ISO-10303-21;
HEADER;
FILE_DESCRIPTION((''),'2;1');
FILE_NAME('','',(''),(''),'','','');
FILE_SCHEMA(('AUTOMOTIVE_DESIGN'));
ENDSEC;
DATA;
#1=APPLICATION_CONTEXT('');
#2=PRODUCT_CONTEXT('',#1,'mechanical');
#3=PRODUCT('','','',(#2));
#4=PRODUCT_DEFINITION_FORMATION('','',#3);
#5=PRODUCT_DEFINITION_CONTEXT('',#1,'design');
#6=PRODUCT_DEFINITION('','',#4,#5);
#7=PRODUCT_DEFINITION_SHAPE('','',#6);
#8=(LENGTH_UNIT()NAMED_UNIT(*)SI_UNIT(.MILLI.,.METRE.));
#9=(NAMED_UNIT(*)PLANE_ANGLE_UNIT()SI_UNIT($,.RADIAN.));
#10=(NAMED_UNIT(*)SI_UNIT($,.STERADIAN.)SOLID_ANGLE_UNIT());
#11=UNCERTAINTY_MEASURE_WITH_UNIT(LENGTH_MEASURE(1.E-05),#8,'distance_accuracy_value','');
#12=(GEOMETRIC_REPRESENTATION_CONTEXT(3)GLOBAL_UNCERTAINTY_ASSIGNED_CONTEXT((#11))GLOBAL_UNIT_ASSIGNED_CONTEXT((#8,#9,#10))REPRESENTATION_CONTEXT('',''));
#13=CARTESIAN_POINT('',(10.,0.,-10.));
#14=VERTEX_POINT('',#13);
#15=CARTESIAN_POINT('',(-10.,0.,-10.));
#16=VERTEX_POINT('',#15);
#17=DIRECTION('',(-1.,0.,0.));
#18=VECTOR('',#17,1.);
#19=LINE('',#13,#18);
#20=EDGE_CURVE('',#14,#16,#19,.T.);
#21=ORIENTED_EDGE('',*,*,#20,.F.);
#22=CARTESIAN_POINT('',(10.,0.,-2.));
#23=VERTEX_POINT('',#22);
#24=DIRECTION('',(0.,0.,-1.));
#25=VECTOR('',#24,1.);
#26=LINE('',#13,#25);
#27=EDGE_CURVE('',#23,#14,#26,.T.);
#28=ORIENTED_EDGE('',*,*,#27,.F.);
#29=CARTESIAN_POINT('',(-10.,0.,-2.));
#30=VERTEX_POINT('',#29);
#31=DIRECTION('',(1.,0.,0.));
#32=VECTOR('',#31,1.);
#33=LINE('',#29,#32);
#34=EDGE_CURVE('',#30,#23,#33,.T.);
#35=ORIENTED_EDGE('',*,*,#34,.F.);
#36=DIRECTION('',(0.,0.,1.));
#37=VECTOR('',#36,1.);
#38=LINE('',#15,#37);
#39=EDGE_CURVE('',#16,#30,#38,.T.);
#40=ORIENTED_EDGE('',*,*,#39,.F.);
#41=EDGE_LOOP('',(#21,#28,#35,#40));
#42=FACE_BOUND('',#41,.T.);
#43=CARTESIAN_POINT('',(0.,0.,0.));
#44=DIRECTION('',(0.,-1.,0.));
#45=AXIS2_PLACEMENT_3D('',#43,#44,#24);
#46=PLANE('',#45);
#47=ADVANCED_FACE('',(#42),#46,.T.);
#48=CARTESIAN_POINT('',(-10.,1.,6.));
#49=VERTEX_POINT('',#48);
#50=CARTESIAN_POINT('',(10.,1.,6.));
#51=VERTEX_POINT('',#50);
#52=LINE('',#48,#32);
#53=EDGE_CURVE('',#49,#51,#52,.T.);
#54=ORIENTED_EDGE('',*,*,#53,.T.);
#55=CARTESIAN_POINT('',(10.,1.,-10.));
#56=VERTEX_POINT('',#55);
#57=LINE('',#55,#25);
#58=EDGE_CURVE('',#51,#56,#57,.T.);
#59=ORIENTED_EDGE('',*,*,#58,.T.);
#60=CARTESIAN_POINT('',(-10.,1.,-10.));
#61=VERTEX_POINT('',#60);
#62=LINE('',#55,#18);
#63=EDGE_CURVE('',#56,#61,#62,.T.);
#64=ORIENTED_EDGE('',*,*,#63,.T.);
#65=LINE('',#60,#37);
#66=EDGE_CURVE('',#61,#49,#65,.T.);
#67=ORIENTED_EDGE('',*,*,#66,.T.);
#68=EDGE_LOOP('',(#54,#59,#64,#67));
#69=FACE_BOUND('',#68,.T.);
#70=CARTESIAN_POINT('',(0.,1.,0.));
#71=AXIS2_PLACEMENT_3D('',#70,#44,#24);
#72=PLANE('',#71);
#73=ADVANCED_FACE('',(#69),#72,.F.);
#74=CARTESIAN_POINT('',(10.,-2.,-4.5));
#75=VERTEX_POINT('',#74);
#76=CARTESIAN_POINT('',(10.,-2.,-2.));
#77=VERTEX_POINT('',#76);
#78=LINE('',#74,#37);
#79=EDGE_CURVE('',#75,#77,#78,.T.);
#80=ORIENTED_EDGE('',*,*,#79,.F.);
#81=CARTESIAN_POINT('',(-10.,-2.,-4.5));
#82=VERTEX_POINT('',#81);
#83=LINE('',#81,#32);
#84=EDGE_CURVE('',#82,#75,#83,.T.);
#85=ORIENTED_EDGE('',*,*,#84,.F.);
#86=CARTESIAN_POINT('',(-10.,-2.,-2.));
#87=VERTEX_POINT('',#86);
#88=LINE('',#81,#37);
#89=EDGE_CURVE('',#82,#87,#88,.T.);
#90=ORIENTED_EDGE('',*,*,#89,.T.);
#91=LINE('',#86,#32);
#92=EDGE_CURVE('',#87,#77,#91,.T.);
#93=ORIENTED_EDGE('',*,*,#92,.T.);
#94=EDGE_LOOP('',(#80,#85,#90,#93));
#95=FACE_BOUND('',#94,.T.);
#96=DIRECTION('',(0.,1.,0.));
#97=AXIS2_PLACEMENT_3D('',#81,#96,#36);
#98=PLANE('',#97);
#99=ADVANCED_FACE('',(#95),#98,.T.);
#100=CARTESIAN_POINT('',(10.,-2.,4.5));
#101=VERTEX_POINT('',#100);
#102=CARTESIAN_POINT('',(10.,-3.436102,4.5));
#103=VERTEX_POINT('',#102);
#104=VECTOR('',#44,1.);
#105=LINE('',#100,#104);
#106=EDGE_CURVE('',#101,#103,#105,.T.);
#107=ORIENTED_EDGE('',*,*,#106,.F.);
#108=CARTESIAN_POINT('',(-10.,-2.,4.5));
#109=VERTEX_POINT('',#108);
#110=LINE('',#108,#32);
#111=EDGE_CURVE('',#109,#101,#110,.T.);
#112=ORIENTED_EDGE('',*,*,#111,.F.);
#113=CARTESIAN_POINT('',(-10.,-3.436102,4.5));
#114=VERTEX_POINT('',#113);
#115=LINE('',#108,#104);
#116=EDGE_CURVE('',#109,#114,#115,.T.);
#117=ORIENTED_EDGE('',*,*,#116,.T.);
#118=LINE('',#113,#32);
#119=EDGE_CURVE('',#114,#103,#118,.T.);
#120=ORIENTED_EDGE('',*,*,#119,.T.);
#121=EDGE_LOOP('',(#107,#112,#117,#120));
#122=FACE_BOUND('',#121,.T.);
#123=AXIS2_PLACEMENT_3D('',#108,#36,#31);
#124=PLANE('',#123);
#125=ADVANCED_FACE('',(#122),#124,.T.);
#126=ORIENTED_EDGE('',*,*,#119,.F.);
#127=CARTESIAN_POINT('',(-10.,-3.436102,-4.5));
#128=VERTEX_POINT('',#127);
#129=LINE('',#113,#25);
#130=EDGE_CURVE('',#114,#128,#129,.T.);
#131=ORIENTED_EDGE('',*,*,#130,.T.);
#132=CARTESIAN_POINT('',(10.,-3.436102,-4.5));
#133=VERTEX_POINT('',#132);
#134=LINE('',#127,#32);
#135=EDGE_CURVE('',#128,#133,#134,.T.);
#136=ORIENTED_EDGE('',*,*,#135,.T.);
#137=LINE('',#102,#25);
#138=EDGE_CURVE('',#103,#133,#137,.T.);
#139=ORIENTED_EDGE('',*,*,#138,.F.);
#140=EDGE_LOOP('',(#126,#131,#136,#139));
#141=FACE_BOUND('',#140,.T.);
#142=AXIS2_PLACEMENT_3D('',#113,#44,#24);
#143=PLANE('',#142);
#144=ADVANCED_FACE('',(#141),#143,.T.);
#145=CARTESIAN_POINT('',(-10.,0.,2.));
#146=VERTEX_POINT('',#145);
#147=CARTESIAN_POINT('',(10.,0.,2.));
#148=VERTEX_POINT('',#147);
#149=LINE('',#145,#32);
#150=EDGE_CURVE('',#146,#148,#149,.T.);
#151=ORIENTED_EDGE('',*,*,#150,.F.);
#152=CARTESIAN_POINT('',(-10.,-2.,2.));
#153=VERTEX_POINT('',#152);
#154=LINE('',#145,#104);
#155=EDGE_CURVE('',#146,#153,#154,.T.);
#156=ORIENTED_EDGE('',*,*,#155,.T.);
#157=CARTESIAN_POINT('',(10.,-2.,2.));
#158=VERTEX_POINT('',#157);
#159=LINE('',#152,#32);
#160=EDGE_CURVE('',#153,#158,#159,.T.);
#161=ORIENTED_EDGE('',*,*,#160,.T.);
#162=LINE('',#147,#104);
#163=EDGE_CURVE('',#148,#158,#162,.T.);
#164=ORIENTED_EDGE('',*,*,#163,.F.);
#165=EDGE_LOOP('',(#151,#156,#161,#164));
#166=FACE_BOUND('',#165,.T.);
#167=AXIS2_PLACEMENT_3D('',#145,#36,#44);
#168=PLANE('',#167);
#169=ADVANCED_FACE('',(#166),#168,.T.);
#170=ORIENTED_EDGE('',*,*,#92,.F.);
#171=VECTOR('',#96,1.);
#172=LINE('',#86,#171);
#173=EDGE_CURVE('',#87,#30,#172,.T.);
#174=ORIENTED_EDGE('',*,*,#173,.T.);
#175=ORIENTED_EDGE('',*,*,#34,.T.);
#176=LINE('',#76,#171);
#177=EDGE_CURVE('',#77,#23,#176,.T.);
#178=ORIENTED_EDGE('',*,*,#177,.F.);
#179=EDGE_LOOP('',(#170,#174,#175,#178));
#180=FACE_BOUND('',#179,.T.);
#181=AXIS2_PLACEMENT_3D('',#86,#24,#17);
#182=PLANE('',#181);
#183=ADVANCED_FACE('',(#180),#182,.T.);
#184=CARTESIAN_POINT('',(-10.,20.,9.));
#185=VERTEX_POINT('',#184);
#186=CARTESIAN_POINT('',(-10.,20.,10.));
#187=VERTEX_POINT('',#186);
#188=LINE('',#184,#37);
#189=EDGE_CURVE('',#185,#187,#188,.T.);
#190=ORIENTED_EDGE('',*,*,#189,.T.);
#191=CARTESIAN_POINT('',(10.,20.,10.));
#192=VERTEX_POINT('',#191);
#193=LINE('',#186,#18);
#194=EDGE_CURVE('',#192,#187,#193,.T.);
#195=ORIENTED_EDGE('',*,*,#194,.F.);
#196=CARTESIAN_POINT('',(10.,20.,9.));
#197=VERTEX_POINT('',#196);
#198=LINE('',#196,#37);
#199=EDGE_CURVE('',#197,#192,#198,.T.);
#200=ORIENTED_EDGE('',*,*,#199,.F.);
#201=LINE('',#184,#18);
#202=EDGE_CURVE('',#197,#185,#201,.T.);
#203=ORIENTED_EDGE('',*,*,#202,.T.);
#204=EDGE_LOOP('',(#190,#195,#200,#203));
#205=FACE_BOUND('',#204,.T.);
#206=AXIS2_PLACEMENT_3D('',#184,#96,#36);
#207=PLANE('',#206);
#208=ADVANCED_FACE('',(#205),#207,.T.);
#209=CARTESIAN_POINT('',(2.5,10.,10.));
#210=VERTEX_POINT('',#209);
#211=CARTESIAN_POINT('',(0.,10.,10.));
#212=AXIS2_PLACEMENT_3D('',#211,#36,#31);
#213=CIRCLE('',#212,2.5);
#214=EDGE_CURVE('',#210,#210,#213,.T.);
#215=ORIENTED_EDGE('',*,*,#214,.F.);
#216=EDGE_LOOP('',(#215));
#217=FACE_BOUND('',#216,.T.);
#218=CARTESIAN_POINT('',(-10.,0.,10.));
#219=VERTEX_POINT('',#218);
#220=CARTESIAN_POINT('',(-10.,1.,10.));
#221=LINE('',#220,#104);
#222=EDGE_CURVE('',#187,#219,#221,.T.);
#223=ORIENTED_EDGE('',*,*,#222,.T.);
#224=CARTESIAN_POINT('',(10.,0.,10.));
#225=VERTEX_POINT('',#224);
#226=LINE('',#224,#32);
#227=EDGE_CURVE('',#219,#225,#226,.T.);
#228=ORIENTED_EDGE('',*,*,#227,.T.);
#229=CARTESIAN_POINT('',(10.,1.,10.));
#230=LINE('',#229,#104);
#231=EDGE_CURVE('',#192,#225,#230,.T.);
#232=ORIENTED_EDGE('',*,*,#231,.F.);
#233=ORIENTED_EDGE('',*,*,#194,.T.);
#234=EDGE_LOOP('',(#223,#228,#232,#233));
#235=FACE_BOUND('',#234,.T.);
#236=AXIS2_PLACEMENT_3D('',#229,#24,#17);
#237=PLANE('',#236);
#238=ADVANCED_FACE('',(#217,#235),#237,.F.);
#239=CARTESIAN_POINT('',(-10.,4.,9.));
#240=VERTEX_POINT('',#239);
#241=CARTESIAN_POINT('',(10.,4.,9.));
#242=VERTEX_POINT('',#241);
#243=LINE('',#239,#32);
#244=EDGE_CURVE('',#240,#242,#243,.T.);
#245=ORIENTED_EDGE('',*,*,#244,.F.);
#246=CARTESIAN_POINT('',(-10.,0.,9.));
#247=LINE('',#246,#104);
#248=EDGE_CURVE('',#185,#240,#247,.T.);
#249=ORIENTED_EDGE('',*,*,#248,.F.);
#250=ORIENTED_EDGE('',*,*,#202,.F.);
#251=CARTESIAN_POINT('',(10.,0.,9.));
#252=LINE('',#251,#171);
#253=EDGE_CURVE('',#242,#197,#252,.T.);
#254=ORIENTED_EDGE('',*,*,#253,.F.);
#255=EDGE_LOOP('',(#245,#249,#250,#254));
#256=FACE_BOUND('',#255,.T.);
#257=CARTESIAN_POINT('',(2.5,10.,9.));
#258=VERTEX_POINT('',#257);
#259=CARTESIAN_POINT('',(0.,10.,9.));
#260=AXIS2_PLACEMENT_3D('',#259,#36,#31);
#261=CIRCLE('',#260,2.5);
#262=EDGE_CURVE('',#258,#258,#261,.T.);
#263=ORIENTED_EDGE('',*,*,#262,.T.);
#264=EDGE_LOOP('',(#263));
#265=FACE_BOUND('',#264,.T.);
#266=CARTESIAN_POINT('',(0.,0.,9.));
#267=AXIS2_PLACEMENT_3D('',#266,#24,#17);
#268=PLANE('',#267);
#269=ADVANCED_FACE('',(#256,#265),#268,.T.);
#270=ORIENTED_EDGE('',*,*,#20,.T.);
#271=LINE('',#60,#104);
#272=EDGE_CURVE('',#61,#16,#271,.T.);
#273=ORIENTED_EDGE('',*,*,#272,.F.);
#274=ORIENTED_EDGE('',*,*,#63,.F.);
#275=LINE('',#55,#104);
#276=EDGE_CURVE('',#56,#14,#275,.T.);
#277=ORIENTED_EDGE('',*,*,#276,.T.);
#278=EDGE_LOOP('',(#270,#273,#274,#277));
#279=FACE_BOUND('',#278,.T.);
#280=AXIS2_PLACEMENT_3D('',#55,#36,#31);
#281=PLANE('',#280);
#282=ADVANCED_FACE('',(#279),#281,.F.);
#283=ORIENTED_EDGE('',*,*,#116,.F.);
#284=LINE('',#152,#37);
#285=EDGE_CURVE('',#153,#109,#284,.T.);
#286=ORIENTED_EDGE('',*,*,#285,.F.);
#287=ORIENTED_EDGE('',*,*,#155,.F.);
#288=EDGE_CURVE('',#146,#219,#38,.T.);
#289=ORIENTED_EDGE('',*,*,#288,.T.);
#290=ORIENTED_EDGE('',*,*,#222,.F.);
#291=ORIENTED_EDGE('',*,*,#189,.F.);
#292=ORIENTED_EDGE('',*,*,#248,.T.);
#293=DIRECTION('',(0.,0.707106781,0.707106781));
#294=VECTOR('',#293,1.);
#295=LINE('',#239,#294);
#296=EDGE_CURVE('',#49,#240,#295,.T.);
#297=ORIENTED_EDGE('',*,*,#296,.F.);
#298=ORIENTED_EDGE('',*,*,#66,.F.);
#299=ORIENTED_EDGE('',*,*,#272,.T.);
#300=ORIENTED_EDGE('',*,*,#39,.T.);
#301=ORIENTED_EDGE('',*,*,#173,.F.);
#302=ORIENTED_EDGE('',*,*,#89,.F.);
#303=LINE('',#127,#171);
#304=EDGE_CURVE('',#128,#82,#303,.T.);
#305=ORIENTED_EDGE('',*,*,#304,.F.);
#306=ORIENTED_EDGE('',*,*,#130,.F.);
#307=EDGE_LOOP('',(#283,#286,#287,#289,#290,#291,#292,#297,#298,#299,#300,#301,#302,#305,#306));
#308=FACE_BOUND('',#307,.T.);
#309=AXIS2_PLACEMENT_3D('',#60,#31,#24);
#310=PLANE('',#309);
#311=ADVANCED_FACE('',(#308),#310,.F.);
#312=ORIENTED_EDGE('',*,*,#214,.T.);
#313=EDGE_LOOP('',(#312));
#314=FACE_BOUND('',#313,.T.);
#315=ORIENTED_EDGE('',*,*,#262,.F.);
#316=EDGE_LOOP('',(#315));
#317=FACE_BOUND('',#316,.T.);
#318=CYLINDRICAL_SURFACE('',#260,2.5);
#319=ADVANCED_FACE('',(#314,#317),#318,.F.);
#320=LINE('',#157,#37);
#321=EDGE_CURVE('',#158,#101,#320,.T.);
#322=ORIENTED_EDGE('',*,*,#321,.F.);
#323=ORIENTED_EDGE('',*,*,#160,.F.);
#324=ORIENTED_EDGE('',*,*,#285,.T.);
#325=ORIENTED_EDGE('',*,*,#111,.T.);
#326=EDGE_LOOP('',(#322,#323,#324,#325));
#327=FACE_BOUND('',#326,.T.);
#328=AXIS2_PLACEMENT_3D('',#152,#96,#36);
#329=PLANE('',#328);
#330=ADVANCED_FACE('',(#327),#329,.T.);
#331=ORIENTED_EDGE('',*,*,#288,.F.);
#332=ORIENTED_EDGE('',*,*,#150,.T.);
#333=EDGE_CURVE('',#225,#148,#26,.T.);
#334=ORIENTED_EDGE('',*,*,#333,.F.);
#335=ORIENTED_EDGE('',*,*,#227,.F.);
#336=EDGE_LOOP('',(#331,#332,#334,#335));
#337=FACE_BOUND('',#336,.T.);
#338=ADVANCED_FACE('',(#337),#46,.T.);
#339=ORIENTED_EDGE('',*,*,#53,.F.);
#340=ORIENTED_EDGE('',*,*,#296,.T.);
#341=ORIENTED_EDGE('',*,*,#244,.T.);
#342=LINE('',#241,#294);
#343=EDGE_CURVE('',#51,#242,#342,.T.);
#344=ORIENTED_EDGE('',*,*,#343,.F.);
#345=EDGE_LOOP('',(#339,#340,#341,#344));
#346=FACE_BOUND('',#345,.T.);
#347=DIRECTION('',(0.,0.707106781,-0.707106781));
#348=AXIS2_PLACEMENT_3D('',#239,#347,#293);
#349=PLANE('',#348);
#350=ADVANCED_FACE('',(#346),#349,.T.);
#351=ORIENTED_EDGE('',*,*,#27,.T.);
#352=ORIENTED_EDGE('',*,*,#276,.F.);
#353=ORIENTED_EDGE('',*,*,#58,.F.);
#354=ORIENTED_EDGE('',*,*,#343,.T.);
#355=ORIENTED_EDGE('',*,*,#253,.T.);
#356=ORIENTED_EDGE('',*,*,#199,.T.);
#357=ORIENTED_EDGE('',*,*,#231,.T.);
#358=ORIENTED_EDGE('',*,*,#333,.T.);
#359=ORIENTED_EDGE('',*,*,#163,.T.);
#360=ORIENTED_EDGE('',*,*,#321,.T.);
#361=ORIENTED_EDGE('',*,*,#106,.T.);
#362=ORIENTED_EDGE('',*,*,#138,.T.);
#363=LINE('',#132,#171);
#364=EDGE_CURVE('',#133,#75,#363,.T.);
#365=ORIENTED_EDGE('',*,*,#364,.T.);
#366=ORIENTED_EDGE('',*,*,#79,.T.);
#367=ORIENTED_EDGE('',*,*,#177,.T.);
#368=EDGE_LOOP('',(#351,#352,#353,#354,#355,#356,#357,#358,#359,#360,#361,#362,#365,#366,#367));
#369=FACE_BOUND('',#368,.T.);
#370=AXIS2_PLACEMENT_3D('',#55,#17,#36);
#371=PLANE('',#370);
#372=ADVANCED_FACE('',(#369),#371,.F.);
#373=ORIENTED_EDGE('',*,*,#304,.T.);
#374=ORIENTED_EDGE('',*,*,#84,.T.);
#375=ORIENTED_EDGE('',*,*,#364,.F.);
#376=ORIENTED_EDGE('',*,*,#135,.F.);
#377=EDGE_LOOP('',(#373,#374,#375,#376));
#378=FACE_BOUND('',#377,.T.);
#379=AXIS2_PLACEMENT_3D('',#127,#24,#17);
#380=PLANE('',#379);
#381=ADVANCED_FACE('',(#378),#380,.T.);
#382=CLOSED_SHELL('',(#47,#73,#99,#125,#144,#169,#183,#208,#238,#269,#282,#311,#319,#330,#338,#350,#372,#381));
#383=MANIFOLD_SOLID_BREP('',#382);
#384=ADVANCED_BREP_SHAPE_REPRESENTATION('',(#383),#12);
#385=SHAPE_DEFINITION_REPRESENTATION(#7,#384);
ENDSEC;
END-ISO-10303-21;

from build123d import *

# Parameters (mm, degrees)
SKETCH1_W           = 20
SKETCH1_H           = 20
BOSS_EXTRUDE1_DEPTH = 1
SKETCH2_W           = 20
SKETCH2_H           = 20
SKETCH2_R           = 2.5
BOSS_EXTRUDE2_DEPTH = 1
BOSS_EXTRUDE3_DEPTH = 20
BOSS_EXTRUDE4_START = -19
BOSS_EXTRUDE4_DEPTH = 1
BOSS_EXTRUDE5_DEPTH = 20


with BuildPart() as part:
    # Sketch1 → Boss-Extrude1 (new body)
    with BuildSketch(Plane(origin=(0, 0, 0), x_dir=(1, 0, 0), z_dir=(0, 1, 0))):
        Rectangle(SKETCH1_W, SKETCH1_H)
    extrude(amount=BOSS_EXTRUDE1_DEPTH)

    # Sketch2 → Boss-Extrude2 (add)
    with BuildSketch(Plane.XY.offset(10)):
        with Locations((0, 10)):
            Rectangle(SKETCH2_W, SKETCH2_H)
        with Locations((0, 10)):
            Circle(SKETCH2_R, mode=Mode.SUBTRACT)
    extrude(amount=-BOSS_EXTRUDE2_DEPTH)

    # Sketch3 → Boss-Extrude3 (add)
    with BuildSketch(Plane(origin=(10, 0, 0), x_dir=(0, 0, -1), z_dir=(1, 0, 0))):
        Polygon((-9, 4), (-6, 1), (-9, 1), align=None)
    extrude(amount=-BOSS_EXTRUDE3_DEPTH)

    # Sketch3<2> → Boss-Extrude4 (add)
    with BuildSketch(Plane(origin=(10, 0, 0), x_dir=(0, 0, -1), z_dir=(1, 0, 0)).offset(BOSS_EXTRUDE4_START)):
        Polygon((-9, 4), (-6, 1), (-9, 1), align=None)
    extrude(amount=-BOSS_EXTRUDE4_DEPTH)

    # Sketch4 → Boss-Extrude5 (add)
    with BuildSketch(Plane(origin=(10, 0, 0), x_dir=(0, 0, -1), z_dir=(1, 0, 0))):
        Polygon((-2, 0), (-2, -2), (-4.5, -2), (-4.5, -3.436102186), (4.5, -3.436102186), (4.5, -2), (2, -2), (2, 0), align=None)
    extrude(amount=-BOSS_EXTRUDE5_DEPTH)


solid = part.part
